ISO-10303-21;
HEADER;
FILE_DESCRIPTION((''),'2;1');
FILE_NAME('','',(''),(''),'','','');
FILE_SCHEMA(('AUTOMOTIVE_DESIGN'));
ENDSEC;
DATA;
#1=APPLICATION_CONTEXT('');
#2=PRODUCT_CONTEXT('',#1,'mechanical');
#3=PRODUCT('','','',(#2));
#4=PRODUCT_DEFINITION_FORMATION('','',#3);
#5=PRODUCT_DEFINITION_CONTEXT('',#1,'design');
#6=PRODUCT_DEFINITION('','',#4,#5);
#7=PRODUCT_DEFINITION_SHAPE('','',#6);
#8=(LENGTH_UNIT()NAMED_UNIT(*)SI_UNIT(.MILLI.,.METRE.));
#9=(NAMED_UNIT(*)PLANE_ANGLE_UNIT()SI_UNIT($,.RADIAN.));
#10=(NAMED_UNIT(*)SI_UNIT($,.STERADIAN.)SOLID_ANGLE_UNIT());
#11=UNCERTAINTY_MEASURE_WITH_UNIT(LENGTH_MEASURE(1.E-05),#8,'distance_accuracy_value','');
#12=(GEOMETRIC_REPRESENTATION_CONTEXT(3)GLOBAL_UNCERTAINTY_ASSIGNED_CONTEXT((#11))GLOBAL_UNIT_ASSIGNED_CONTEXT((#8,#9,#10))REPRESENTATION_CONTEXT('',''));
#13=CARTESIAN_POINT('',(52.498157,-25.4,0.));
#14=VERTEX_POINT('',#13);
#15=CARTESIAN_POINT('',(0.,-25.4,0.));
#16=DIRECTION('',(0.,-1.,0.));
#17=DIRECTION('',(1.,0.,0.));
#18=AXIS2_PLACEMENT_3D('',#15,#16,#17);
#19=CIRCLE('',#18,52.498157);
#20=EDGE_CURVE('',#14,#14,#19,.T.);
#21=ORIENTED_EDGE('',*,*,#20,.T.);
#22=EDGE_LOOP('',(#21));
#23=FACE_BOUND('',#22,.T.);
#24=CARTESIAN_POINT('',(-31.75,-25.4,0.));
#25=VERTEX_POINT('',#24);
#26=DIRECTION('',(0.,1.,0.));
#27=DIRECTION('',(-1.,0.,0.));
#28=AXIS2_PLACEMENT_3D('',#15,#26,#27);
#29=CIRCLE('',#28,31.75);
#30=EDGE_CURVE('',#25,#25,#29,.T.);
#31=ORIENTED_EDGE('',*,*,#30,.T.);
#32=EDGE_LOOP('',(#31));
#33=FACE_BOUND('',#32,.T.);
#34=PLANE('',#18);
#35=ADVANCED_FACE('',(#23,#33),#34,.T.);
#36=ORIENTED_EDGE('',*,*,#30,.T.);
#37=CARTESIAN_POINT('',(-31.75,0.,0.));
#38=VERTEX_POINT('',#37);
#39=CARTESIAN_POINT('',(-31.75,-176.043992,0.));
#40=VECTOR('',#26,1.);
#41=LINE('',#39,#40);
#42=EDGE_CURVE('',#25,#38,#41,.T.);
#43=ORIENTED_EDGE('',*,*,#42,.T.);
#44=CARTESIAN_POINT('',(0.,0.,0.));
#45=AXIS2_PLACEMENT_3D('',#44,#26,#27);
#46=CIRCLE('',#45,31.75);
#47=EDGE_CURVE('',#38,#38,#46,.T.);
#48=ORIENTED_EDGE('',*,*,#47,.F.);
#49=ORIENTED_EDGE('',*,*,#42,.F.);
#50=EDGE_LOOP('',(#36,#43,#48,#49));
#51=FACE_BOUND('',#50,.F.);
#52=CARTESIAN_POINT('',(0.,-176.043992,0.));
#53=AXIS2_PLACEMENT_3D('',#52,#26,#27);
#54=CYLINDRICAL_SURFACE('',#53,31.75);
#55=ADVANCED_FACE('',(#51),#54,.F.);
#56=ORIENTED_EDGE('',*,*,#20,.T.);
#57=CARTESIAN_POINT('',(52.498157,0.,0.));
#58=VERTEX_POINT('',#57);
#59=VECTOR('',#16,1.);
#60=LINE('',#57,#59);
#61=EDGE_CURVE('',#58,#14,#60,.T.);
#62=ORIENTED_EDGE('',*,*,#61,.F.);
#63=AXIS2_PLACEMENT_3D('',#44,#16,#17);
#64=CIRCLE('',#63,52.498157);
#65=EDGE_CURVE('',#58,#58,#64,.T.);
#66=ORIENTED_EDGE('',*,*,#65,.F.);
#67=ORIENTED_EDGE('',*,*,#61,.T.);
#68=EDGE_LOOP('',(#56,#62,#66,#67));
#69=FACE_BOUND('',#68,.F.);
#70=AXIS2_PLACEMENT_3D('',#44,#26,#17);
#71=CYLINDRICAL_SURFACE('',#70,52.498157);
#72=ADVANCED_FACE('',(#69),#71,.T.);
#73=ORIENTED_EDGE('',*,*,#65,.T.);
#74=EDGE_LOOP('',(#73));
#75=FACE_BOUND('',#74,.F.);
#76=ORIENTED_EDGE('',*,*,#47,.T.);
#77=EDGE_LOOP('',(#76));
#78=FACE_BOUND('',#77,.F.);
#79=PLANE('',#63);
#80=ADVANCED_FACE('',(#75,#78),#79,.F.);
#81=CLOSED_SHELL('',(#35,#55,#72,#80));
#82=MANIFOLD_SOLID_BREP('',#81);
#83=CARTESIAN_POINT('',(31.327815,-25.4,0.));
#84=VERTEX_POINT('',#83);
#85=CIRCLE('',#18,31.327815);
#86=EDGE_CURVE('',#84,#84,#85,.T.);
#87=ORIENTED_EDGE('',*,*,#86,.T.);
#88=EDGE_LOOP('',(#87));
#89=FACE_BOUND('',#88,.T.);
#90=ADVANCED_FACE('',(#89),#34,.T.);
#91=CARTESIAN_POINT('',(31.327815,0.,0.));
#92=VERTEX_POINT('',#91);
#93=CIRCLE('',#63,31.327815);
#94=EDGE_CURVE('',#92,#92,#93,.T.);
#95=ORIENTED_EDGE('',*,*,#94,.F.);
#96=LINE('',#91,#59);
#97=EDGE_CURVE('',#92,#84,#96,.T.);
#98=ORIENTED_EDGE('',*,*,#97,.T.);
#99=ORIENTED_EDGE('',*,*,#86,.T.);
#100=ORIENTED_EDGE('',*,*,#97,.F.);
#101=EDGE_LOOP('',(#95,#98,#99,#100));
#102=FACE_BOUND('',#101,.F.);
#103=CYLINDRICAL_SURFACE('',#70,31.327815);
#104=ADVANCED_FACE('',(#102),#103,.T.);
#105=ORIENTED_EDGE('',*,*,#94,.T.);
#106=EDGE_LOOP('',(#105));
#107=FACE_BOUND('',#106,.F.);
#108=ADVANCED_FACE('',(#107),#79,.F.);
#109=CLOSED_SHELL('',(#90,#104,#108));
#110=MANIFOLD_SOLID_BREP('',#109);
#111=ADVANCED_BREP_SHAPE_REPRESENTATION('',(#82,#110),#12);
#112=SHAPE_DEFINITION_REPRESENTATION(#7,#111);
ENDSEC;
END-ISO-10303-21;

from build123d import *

# Parameters (mm, degrees)
F0_R     = 52.4981574629
F1_DEPTH = 25.4
F3_D     = 63.5
F4_R     = 31.3278149766
F5_DEPTH = 25.4
F6_R     = 19.9962437195
F7_DEPTH = 25.4


with BuildPart() as f1:
    # F0 (on Front) → F1 (new body)
    with BuildSketch(Plane.XZ):
        Circle(F0_R)
    extrude(amount=F1_DEPTH)

    # F3 (through all)
    with Locations(Plane.XZ.offset(25.4)):
        with Locations((0, 0)):
            Hole(F3_D / 2)

    # F6 (on Front) → F7 (cut)
    with BuildSketch(Plane.XZ):
        Circle(F6_R)
    extrude(amount=-F7_DEPTH, mode=Mode.SUBTRACT)


with BuildPart() as f5:
    # F4 (on Front) → F5 (new body)
    with BuildSketch(Plane.XZ):
        Circle(F4_R)
    extrude(amount=F5_DEPTH)


solid = Compound([f1.part, f5.part])
